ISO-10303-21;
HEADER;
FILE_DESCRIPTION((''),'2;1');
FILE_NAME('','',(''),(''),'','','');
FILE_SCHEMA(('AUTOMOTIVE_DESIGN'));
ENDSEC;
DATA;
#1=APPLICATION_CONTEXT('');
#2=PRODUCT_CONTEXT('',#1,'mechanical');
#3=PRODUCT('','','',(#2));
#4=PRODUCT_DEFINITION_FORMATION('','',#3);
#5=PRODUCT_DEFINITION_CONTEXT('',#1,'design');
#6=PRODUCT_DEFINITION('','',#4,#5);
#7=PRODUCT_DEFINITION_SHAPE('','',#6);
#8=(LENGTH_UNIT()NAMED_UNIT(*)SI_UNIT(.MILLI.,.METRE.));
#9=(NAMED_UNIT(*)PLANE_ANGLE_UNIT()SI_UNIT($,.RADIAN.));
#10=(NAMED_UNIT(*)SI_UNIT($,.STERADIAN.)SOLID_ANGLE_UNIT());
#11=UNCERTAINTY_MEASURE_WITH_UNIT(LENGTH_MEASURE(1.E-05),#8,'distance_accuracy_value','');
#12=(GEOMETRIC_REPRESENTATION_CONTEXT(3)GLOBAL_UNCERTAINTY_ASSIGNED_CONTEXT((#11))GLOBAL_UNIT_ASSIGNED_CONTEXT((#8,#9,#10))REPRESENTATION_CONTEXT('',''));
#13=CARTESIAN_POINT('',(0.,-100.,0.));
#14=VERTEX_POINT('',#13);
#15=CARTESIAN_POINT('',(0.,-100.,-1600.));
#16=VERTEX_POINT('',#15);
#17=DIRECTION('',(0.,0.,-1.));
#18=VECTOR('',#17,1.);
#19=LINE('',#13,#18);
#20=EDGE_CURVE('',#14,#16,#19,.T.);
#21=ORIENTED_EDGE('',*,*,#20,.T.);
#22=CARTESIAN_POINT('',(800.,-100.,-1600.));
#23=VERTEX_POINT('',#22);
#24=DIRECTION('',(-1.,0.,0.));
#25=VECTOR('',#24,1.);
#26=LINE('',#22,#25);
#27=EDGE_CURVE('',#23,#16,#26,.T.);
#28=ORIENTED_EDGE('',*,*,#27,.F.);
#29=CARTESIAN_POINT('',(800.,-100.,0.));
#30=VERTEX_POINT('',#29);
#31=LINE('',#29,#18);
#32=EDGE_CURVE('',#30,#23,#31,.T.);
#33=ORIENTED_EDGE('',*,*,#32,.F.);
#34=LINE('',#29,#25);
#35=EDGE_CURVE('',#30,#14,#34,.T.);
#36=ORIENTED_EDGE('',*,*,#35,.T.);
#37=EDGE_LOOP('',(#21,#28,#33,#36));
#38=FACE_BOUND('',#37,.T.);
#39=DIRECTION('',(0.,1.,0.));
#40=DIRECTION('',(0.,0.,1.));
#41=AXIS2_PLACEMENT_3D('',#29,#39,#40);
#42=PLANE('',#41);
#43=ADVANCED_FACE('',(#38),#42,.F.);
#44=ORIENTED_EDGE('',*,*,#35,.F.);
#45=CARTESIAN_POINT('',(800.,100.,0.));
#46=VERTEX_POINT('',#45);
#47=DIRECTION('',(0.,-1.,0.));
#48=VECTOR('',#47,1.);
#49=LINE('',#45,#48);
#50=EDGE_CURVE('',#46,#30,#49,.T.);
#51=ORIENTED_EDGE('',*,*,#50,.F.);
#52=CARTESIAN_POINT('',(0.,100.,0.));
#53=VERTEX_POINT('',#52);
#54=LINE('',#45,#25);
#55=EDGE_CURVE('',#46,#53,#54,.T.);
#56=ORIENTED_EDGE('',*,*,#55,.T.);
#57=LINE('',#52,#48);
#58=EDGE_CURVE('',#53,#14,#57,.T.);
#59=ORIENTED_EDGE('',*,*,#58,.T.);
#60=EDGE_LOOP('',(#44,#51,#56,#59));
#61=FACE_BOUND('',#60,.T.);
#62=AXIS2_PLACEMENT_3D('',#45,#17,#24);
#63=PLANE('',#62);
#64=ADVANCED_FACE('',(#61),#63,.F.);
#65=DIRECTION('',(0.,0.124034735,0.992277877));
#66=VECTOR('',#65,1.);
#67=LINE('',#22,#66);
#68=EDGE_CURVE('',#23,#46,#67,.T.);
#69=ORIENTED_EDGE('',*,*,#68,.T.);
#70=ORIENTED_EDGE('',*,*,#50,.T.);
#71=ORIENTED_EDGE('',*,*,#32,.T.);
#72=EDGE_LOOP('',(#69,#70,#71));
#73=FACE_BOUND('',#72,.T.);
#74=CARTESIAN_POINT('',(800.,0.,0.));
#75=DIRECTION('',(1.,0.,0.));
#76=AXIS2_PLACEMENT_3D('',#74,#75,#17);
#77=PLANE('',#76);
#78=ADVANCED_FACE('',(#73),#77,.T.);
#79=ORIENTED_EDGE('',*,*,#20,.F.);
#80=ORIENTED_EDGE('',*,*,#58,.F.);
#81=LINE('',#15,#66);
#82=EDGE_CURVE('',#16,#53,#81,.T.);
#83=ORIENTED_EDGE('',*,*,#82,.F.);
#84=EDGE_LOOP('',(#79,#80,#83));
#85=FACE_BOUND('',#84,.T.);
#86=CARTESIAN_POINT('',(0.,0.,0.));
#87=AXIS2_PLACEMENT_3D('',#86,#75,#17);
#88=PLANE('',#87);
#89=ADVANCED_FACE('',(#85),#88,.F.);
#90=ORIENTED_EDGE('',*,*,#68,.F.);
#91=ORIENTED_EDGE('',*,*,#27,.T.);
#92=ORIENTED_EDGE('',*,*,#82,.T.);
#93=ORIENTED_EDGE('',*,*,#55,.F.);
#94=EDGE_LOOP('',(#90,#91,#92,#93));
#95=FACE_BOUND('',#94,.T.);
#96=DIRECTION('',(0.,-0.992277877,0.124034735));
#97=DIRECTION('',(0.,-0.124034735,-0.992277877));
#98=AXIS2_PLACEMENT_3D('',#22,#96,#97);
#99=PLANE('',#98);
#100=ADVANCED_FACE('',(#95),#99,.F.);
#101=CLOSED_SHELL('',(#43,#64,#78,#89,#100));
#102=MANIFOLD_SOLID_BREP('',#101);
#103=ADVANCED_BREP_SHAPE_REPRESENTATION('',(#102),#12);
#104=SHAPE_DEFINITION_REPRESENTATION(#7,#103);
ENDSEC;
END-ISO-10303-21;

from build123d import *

# Parameters (mm, degrees)
EXTRUDE_1_DEPTH = 800


with BuildPart() as part:
    # 草图1 → 凸台-拉伸1 (new body)
    with BuildSketch(Plane(origin=(0, 0, 0), x_dir=(0, 0, -1), z_dir=(1, 0, 0))):
        Polygon((0, 100), (0, -100), (1600, -100), align=None)
    extrude(amount=EXTRUDE_1_DEPTH)


solid = part.part
